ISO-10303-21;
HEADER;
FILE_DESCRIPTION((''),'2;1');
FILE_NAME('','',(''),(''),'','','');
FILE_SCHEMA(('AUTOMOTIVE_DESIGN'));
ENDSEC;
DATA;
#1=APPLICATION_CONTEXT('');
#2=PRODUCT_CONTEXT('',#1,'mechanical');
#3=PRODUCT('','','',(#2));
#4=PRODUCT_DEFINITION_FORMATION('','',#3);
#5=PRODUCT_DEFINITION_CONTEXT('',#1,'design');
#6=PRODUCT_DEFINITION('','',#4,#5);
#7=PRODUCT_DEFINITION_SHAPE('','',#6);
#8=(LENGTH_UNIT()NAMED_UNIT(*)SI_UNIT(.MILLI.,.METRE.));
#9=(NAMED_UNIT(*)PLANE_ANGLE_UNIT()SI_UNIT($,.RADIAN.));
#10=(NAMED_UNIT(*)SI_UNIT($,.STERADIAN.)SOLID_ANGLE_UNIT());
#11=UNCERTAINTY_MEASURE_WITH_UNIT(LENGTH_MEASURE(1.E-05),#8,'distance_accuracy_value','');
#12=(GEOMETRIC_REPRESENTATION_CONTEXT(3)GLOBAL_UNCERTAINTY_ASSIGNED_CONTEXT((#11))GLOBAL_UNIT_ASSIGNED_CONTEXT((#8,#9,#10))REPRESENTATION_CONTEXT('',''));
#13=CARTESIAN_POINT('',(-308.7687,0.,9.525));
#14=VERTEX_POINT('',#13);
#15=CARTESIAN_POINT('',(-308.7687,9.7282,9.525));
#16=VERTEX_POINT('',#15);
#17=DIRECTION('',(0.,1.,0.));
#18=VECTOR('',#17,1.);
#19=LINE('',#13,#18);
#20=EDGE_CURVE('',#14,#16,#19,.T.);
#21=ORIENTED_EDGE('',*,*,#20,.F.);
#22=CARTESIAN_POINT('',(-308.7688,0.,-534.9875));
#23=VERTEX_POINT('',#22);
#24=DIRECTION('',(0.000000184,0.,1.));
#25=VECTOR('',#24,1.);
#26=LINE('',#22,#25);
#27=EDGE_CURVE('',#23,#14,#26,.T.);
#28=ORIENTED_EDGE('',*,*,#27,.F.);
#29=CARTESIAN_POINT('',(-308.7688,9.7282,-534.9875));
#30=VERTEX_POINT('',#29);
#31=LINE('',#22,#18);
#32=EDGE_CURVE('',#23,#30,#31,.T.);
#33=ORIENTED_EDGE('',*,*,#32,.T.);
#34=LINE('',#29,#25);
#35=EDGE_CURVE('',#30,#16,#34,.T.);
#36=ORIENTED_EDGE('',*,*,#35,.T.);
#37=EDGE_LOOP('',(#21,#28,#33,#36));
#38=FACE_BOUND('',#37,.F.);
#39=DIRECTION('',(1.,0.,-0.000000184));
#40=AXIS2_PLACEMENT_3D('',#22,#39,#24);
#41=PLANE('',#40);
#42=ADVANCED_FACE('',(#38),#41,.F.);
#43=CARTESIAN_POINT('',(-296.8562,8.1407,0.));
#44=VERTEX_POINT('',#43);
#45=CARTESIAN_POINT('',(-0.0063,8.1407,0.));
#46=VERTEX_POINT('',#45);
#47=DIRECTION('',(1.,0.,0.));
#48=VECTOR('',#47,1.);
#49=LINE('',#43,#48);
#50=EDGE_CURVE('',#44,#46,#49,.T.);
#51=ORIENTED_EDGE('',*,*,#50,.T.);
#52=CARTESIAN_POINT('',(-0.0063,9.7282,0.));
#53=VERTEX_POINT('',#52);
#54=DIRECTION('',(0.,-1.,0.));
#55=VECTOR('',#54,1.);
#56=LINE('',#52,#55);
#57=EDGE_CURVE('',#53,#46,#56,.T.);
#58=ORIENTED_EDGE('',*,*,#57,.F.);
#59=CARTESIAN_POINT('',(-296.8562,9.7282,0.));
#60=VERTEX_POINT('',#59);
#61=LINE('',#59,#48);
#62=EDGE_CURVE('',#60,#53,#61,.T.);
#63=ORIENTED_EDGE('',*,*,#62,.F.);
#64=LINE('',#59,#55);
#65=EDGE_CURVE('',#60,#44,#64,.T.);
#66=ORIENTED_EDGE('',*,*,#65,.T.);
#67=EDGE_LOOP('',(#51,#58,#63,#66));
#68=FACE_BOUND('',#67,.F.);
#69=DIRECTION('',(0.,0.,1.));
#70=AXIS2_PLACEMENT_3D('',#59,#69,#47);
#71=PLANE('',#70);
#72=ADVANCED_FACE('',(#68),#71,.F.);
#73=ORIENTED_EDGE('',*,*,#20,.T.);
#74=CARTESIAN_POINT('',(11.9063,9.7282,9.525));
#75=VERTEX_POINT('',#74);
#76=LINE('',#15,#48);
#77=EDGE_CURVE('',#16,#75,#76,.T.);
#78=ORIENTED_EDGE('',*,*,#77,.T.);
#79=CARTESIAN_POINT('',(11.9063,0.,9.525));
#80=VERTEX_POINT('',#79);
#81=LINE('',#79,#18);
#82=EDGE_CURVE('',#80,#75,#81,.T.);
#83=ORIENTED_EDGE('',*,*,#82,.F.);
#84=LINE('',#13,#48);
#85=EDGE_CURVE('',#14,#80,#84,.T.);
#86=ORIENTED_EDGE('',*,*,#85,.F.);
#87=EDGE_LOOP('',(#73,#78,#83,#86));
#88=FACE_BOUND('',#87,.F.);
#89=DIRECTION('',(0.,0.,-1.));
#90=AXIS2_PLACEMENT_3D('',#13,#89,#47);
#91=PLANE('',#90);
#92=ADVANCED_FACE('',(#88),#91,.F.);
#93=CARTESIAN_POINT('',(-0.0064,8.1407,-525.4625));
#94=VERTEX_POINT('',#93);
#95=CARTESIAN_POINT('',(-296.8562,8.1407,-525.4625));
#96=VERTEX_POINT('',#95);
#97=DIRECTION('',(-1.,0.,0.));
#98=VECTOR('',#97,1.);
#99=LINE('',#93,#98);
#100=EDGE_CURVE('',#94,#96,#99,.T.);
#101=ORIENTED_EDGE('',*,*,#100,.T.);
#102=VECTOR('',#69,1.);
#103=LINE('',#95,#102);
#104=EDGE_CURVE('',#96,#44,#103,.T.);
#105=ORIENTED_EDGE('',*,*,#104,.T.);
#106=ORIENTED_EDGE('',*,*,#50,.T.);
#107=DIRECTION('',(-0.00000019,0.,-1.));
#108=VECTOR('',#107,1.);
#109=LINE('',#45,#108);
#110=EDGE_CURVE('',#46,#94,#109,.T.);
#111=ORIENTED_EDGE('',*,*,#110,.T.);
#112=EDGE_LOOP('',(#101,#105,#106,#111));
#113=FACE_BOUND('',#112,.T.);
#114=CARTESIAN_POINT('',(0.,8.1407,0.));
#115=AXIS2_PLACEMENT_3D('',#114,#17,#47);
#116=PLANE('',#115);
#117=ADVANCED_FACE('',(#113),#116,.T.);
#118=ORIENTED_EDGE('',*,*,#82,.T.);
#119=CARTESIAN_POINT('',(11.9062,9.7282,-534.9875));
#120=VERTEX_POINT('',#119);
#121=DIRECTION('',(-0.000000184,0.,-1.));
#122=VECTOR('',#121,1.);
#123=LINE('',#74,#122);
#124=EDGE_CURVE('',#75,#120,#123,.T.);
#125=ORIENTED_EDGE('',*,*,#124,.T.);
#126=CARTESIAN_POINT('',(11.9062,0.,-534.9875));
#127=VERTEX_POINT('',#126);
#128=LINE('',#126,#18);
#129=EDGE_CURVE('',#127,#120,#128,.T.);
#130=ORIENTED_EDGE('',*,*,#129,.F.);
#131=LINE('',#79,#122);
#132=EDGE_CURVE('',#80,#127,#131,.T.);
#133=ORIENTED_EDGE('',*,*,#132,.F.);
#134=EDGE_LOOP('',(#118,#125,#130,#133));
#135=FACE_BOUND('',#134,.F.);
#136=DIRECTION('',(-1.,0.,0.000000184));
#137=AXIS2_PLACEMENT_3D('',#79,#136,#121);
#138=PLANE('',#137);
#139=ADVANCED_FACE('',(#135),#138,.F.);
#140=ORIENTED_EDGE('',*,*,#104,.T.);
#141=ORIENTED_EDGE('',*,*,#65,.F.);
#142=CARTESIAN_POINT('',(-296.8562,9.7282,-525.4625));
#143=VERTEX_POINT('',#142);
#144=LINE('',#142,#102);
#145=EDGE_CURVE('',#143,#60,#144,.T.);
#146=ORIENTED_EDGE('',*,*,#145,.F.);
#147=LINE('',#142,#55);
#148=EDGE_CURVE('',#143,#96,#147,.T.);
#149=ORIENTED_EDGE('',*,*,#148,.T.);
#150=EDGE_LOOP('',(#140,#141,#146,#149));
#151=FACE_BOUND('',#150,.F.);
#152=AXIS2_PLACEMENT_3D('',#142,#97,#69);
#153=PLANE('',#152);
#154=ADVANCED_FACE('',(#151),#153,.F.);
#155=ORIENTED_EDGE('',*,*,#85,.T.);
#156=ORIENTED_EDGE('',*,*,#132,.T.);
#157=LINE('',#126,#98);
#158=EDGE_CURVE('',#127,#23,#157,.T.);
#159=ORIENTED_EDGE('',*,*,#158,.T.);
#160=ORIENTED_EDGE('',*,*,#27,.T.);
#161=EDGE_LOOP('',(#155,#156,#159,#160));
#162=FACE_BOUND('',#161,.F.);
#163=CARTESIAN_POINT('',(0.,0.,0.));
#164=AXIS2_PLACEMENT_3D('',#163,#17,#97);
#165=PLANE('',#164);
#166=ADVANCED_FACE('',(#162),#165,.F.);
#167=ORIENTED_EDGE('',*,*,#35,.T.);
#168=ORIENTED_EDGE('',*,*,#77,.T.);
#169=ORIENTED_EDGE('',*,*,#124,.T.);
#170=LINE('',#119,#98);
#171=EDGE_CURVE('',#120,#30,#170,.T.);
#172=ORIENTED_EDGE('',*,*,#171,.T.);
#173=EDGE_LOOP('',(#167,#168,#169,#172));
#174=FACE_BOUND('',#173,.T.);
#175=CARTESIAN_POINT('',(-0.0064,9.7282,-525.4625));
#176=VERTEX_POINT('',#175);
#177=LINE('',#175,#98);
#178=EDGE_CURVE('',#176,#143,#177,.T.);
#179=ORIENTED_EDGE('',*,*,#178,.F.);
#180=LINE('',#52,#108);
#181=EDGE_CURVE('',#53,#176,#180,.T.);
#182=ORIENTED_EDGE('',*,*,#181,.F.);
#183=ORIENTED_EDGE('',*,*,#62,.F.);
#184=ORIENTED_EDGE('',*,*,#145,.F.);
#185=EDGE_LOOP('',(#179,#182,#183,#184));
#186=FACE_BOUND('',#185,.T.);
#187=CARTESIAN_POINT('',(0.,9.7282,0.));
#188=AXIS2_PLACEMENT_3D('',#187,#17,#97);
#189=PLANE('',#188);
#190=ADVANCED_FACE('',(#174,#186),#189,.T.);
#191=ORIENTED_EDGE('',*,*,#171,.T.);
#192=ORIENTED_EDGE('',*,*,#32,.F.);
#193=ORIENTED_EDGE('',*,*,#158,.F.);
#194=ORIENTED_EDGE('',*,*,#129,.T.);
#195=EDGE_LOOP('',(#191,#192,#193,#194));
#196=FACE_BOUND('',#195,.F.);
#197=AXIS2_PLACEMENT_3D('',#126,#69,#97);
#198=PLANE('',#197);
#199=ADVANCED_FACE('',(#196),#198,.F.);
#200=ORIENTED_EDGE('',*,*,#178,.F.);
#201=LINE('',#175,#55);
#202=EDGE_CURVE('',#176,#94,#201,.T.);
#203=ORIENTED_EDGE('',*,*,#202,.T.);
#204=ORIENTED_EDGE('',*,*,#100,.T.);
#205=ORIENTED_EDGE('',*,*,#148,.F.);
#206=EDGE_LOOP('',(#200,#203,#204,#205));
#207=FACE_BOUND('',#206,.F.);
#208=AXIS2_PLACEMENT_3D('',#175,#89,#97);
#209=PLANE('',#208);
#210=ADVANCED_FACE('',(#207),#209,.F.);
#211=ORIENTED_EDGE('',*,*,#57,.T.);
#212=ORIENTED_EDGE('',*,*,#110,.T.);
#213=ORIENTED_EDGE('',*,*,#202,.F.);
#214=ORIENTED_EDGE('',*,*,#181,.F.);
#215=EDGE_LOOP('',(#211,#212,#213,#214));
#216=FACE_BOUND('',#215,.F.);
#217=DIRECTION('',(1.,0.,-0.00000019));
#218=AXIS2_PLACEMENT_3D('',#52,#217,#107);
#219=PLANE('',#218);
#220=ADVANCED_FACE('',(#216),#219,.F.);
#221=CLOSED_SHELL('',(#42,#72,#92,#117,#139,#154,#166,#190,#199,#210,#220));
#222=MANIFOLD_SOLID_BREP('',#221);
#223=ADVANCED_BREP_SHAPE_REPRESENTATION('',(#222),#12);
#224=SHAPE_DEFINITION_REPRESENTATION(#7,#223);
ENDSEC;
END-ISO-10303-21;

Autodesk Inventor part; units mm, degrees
ref_plane "YZ Plane" through (0, 0, 0) normal (1, 0, 0) x (0, 1, 0)
ref_plane "XZ Plane" through (0, 0, 0) normal (0, 1, 0) x (-1, 0, 0)
ref_plane "XY Plane" through (0, 0, 0) normal (0, 0, 1) x (1, 0, 0)
sketch "Sketch1" plane through (0, 0, 0) normal (0, 1, 0) x (-1, 0, 0)
  line L0 (0, 0) -> (296.8625, 0)
  line L1 (296.8625, 0) -> (296.8625, -525.4625)
  line L2 (296.8625, -525.4625) -> (0, -525.4625)
  line L3 (0, -525.4625) -> (0, 0)
  line L4 (308.7687, 9.525) -> (-11.9063, 9.525)
  line L5 (-11.9063, 9.525) -> (-11.9062, -534.9875)
  line L6 (-11.9062, -534.9875) -> (308.7688, -534.9875)
  line L7 (308.7688, -534.9875) -> (308.7687, 9.525)
  dimension "d0" = 296.8625
  dimension "d1" = 525.4625
  dimension "d4" = 11.9062
  dimension "d5" = 11.9062
  dimension "d6" = 9.525
  dimension "d7" = 9.525
extrude "Extrusion1" add sketch "Sketch1" along normal blind 9.7282 contours L0 L1 L2 L3 | L7 L6 L5 L4
sketch "Sketch2" plane through (0, 9.7282, 0) normal (0, 1, 0) x (1, 0, 0)
  line L0 (-296.8562, 0) -> (-0.0063, 0)
  line L1 (-0.0063, 0) -> (-0.0064, 525.4625)
  line L2 (-0.0064, 525.4625) -> (-296.8562, 525.4625)
  line L3 (-296.8562, 525.4625) -> (-296.8562, 0)
  line L4 (-308.7688, 534.9875) -> (-308.7687, -9.525) projected
  line L5 (-308.7687, -9.525) -> (11.9063, -9.525) projected
  line L6 (11.9062, 534.9875) -> (-308.7688, 534.9875) projected
  line L7 (11.9063, -9.525) -> (11.9062, 534.9875) projected
  point P0 (0, 0)
  dimension "d10" = 11.9126
  dimension "d11" = 9.525
  dimension "d12" = 9.525
  dimension "d13" = 11.9126
extrude "Extrusion2" cut sketch "Sketch2" against normal blind 1.5875 contours L3 L2 L1 L0
properties part number "LCD Screen"
